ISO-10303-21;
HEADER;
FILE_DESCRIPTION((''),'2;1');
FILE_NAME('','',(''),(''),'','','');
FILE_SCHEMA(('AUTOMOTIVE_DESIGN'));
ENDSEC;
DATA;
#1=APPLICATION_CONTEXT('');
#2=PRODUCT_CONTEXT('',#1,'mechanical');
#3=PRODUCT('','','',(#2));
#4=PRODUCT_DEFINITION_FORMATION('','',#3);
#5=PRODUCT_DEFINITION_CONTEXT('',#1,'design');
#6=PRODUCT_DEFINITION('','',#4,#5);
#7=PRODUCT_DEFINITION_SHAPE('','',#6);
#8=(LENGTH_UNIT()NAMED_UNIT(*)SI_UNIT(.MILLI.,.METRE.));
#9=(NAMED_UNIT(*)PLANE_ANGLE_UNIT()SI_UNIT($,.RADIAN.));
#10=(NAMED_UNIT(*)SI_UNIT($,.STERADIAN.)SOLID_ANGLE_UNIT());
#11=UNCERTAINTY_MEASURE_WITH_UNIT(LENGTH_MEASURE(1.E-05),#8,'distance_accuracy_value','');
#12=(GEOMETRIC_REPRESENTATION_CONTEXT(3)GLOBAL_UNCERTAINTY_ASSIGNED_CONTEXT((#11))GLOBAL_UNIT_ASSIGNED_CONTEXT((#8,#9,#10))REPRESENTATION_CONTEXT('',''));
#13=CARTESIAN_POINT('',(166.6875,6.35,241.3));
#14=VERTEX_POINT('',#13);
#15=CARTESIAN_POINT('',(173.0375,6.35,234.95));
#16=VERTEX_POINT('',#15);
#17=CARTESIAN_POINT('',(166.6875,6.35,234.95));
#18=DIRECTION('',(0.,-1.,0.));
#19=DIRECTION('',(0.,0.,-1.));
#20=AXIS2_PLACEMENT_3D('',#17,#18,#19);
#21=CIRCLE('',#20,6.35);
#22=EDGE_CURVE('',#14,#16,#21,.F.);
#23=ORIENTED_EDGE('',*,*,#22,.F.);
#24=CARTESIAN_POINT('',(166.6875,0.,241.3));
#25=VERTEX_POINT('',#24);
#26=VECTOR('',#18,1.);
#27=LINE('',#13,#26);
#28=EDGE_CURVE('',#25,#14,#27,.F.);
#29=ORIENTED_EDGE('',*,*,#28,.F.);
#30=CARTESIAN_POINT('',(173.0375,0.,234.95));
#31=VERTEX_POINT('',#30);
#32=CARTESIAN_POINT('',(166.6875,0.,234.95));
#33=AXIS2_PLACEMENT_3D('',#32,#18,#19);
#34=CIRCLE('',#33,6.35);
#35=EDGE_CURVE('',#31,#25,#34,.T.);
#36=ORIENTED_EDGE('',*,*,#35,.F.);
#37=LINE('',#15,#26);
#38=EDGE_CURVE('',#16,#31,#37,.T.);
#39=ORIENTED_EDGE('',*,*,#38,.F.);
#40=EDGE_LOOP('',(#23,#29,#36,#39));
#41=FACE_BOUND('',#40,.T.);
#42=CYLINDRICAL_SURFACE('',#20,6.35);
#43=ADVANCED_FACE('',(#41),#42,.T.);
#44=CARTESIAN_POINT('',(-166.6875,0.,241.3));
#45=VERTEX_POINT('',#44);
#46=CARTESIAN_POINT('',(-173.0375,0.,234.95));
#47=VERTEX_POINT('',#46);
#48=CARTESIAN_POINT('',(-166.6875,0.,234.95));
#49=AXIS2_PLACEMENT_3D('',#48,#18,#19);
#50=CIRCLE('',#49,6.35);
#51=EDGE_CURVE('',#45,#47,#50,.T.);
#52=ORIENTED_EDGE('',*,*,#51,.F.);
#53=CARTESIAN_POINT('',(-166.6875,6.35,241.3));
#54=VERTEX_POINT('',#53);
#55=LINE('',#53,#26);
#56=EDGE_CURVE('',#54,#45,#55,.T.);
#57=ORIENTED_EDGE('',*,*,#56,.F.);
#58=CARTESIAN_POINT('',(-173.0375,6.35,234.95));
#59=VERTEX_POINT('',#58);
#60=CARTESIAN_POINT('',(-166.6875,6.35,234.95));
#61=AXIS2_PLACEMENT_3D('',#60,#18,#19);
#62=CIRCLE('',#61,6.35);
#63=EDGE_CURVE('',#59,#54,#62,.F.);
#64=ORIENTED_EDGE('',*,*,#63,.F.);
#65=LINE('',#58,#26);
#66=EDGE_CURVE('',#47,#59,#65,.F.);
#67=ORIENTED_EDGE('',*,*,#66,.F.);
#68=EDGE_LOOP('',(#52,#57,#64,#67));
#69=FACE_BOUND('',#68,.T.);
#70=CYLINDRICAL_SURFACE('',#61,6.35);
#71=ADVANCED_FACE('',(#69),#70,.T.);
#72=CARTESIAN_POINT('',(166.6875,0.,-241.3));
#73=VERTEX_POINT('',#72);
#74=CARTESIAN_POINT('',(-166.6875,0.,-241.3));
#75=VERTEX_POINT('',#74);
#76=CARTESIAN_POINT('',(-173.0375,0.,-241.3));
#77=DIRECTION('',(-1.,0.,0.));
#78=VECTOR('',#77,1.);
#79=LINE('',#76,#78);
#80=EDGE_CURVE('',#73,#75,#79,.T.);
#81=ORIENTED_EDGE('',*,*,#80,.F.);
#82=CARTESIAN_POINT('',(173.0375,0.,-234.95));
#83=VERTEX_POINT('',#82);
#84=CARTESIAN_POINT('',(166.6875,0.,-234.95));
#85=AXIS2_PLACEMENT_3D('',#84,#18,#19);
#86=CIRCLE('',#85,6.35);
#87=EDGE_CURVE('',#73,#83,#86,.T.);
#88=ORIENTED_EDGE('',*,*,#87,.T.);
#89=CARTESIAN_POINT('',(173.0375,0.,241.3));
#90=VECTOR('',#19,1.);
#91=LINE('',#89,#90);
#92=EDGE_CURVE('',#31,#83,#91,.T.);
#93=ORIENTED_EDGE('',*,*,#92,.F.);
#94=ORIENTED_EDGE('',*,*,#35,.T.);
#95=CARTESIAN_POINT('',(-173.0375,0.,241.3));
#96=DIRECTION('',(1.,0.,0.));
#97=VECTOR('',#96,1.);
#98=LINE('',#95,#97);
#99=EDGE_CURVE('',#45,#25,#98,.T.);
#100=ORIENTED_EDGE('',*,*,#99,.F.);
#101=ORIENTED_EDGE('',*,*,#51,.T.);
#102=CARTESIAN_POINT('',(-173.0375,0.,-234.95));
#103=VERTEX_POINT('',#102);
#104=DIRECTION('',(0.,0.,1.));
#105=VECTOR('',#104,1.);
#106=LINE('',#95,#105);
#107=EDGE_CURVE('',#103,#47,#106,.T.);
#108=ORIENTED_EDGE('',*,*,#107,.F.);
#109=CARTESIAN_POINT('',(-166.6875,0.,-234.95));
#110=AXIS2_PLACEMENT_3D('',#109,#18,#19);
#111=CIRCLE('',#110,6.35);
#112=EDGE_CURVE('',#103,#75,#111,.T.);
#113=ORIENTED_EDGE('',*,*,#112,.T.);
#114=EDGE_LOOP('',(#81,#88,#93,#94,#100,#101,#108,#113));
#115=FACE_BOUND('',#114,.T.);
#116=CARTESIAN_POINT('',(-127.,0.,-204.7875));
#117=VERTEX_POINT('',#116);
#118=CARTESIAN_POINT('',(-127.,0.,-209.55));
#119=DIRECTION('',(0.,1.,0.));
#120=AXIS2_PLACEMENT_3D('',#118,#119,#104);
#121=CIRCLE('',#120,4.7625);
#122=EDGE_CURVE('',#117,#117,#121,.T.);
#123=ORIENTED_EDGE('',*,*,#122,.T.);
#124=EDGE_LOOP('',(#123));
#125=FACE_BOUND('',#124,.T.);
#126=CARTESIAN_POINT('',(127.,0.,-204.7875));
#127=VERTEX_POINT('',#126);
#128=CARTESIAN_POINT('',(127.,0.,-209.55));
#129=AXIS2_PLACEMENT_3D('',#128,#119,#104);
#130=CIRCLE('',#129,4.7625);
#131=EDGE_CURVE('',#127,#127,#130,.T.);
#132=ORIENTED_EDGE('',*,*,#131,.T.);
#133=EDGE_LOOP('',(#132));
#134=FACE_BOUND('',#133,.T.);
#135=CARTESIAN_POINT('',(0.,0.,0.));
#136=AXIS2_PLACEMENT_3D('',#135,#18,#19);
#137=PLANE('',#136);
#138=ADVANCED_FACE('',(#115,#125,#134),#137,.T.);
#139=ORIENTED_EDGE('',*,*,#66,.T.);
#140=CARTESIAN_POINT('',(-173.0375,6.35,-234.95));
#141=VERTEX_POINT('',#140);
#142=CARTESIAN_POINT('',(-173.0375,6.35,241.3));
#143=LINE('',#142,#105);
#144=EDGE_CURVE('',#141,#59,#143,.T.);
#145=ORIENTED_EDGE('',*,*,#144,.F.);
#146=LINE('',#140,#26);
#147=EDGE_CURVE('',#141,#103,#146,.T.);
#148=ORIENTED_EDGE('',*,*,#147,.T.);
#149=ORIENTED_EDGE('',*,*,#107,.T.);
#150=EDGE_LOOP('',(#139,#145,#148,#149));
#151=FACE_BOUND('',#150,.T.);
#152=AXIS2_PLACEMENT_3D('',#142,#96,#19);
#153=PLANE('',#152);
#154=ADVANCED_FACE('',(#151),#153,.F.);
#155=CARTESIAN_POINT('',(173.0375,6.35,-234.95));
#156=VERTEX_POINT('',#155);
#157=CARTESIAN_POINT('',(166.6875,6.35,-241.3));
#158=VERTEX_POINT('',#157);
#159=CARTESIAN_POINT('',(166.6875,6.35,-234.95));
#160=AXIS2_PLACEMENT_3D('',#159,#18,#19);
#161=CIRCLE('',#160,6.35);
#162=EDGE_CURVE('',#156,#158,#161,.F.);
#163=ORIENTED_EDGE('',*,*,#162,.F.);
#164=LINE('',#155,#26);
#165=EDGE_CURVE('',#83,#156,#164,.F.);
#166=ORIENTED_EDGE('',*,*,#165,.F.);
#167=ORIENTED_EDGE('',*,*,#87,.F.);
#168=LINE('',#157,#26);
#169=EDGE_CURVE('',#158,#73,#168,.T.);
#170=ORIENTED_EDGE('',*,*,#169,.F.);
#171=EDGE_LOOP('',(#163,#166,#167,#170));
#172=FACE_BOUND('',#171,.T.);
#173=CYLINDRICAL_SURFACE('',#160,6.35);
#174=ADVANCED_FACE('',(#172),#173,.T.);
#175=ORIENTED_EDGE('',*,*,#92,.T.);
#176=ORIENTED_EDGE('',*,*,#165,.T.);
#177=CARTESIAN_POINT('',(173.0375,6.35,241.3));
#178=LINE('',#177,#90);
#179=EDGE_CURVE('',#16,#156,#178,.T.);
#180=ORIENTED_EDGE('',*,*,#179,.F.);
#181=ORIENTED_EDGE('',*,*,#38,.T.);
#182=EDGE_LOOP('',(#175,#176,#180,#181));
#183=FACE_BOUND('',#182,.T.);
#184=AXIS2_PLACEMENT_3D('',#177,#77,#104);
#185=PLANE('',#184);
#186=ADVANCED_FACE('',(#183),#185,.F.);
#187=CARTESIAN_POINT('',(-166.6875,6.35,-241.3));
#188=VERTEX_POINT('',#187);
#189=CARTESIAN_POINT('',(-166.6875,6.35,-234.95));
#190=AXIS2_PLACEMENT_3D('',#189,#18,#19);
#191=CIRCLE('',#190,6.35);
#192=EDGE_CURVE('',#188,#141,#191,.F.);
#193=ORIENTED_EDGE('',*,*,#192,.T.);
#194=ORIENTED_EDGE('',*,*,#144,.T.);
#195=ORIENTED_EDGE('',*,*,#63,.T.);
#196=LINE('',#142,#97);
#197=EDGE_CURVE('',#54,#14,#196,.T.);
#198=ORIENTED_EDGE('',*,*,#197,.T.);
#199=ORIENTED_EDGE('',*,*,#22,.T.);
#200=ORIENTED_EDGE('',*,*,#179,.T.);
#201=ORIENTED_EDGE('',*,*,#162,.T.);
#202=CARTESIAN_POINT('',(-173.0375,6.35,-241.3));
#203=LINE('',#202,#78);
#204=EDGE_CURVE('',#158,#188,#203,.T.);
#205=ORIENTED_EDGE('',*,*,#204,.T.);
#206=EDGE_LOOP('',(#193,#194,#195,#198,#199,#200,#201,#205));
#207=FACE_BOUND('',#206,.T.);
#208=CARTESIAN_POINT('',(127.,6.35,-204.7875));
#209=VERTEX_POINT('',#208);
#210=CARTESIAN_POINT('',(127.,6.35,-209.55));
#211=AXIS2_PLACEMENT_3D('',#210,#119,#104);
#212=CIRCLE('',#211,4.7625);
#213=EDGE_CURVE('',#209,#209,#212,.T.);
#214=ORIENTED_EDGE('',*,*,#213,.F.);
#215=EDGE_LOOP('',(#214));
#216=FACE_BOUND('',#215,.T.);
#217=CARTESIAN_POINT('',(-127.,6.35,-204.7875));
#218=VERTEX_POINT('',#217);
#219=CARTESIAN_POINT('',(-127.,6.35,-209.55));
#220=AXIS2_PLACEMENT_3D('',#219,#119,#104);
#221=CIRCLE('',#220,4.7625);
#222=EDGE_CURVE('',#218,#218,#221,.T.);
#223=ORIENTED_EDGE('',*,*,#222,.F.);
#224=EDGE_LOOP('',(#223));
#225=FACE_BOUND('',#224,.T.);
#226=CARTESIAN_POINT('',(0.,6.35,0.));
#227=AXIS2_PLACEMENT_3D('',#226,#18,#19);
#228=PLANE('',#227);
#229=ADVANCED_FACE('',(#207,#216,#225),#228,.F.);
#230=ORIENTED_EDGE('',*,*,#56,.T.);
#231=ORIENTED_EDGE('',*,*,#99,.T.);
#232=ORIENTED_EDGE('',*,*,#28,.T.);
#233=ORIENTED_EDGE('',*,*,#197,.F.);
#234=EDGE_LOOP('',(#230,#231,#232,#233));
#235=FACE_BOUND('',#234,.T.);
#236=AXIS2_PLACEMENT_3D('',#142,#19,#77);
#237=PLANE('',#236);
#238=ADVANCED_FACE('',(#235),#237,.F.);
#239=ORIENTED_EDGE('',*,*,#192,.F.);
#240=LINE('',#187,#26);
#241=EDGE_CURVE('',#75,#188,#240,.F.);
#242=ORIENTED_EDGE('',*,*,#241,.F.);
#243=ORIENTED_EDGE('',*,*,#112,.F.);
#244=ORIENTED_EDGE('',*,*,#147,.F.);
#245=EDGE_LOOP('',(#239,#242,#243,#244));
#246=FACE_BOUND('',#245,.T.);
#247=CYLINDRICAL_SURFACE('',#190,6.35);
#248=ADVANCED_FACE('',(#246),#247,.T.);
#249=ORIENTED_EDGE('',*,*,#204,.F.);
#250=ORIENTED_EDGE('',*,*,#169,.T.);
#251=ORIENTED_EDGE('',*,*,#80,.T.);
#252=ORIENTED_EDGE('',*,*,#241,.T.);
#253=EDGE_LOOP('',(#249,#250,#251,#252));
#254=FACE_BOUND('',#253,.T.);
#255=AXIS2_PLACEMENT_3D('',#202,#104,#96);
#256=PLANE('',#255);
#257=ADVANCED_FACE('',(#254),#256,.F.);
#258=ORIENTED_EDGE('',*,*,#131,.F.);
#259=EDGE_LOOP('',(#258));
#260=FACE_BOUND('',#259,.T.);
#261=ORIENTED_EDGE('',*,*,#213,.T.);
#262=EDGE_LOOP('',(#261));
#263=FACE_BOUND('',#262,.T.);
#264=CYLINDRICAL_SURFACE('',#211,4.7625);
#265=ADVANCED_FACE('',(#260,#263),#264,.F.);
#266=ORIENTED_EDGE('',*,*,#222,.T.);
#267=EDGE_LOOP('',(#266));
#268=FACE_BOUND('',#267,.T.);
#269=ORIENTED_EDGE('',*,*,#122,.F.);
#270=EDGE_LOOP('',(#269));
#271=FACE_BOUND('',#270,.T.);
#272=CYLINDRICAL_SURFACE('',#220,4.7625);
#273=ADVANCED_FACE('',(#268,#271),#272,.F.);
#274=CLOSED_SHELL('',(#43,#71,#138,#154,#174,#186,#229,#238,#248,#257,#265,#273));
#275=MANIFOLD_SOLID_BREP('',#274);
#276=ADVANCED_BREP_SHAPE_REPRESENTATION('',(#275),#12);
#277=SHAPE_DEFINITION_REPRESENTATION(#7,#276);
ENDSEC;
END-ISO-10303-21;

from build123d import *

# Parameters (mm, degrees)
SKETCH1_W                    = 346.075
SKETCH1_H                    = 482.6
BOSS_EXTRUDE1_DEPTH          = 6.35
FILLET1_R                    = 6.35
F_3_8_0_375_DIAMETER_HOLE1_D = 9.525


with BuildPart() as part:
    # Sketch1 → Boss-Extrude1 (new body)
    with BuildSketch(Plane(origin=(0, 0, 0), x_dir=(1, 0, 0), z_dir=(0, 1, 0))):
        Rectangle(SKETCH1_W, SKETCH1_H)
    extrude(amount=BOSS_EXTRUDE1_DEPTH)

    # Fillet1
    fillet1_edges = [part.edges().sort_by_distance(p)[0] for p in [
        (173.0375, 3.175, 241.3),
        (-173.0375, 3.175, 241.3),
        (-173.0375, 3.175, -241.3),
        (173.0375, 3.175, -241.3),
    ]]
    fillet(fillet1_edges, radius=FILLET1_R)

    # 3/8 (0.375) Diameter Hole1 (through all)
    with Locations(Plane(origin=(0, 6.35, 0), x_dir=(1, 0, 0), z_dir=(0, 1, 0))):
        with Locations((-127, 209.55), (127, 209.55)):
            Hole(F_3_8_0_375_DIAMETER_HOLE1_D / 2)


solid = part.part
